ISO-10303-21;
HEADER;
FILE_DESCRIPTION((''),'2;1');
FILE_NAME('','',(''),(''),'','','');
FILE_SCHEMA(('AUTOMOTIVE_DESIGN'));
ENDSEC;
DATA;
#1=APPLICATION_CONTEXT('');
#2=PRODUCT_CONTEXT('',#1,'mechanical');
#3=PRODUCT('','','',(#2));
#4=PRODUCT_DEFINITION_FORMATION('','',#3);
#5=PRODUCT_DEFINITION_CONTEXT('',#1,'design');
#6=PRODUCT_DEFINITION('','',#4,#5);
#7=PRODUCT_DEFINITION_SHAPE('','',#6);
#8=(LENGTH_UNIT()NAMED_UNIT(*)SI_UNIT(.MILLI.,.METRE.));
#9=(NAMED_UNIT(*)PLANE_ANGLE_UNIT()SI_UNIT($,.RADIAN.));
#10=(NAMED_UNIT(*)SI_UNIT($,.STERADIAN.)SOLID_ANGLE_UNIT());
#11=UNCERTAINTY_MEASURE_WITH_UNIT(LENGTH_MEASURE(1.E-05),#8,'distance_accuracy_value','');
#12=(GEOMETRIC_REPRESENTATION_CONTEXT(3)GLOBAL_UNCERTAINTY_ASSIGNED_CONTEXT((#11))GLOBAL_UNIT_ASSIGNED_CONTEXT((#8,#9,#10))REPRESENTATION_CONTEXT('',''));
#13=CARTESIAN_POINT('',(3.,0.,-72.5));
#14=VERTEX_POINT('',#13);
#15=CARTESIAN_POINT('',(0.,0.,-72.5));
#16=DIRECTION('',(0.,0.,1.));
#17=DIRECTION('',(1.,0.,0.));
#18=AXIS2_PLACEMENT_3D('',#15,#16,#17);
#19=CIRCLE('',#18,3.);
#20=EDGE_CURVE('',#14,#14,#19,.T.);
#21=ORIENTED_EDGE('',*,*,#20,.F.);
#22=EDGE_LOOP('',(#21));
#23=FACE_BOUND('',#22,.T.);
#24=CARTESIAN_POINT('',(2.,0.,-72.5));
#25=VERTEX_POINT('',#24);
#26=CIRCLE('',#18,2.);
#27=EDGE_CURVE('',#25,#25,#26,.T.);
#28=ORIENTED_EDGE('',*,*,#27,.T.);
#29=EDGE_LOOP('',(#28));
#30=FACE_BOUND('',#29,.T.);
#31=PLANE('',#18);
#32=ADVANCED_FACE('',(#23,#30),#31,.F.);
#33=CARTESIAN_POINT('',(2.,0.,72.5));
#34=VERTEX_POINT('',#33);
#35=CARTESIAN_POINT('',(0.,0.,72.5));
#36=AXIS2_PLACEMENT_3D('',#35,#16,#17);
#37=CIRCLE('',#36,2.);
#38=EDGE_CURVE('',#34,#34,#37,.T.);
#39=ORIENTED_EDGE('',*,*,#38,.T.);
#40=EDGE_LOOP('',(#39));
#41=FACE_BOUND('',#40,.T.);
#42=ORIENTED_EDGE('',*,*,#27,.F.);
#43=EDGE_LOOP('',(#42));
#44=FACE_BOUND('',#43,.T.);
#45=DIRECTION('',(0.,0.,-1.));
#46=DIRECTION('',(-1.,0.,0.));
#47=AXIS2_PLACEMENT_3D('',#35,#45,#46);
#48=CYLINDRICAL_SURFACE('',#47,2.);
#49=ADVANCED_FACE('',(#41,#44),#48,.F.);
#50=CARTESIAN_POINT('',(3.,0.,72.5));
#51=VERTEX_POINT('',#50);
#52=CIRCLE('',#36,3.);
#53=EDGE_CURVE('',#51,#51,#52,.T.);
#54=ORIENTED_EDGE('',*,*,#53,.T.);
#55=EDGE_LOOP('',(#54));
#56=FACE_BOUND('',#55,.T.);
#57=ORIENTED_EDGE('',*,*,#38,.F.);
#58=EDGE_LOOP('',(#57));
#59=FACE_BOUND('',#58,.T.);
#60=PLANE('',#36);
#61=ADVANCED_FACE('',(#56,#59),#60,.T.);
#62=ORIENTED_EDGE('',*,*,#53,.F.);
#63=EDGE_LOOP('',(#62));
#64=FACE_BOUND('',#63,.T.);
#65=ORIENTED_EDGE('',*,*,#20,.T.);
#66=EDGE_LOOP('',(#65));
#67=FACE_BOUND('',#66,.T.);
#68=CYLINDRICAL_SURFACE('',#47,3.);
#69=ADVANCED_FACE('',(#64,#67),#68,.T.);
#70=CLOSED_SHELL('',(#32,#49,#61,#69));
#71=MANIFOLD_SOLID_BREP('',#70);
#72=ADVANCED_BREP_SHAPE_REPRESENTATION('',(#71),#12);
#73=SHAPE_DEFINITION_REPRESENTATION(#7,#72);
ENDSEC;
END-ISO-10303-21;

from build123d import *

# Parameters (mm, degrees)
SKETCH1_R           = 3
SKETCH1_R_2         = 2
BOSS_EXTRUDE1_DEPTH = 72.5


with BuildPart() as part:
    # Sketch1 → Boss-Extrude1 (new, symmetric)
    with BuildSketch(Plane.XY):
        Circle(SKETCH1_R)
        Circle(SKETCH1_R_2, mode=Mode.SUBTRACT)
    extrude(amount=BOSS_EXTRUDE1_DEPTH, both=True)


solid = part.part
